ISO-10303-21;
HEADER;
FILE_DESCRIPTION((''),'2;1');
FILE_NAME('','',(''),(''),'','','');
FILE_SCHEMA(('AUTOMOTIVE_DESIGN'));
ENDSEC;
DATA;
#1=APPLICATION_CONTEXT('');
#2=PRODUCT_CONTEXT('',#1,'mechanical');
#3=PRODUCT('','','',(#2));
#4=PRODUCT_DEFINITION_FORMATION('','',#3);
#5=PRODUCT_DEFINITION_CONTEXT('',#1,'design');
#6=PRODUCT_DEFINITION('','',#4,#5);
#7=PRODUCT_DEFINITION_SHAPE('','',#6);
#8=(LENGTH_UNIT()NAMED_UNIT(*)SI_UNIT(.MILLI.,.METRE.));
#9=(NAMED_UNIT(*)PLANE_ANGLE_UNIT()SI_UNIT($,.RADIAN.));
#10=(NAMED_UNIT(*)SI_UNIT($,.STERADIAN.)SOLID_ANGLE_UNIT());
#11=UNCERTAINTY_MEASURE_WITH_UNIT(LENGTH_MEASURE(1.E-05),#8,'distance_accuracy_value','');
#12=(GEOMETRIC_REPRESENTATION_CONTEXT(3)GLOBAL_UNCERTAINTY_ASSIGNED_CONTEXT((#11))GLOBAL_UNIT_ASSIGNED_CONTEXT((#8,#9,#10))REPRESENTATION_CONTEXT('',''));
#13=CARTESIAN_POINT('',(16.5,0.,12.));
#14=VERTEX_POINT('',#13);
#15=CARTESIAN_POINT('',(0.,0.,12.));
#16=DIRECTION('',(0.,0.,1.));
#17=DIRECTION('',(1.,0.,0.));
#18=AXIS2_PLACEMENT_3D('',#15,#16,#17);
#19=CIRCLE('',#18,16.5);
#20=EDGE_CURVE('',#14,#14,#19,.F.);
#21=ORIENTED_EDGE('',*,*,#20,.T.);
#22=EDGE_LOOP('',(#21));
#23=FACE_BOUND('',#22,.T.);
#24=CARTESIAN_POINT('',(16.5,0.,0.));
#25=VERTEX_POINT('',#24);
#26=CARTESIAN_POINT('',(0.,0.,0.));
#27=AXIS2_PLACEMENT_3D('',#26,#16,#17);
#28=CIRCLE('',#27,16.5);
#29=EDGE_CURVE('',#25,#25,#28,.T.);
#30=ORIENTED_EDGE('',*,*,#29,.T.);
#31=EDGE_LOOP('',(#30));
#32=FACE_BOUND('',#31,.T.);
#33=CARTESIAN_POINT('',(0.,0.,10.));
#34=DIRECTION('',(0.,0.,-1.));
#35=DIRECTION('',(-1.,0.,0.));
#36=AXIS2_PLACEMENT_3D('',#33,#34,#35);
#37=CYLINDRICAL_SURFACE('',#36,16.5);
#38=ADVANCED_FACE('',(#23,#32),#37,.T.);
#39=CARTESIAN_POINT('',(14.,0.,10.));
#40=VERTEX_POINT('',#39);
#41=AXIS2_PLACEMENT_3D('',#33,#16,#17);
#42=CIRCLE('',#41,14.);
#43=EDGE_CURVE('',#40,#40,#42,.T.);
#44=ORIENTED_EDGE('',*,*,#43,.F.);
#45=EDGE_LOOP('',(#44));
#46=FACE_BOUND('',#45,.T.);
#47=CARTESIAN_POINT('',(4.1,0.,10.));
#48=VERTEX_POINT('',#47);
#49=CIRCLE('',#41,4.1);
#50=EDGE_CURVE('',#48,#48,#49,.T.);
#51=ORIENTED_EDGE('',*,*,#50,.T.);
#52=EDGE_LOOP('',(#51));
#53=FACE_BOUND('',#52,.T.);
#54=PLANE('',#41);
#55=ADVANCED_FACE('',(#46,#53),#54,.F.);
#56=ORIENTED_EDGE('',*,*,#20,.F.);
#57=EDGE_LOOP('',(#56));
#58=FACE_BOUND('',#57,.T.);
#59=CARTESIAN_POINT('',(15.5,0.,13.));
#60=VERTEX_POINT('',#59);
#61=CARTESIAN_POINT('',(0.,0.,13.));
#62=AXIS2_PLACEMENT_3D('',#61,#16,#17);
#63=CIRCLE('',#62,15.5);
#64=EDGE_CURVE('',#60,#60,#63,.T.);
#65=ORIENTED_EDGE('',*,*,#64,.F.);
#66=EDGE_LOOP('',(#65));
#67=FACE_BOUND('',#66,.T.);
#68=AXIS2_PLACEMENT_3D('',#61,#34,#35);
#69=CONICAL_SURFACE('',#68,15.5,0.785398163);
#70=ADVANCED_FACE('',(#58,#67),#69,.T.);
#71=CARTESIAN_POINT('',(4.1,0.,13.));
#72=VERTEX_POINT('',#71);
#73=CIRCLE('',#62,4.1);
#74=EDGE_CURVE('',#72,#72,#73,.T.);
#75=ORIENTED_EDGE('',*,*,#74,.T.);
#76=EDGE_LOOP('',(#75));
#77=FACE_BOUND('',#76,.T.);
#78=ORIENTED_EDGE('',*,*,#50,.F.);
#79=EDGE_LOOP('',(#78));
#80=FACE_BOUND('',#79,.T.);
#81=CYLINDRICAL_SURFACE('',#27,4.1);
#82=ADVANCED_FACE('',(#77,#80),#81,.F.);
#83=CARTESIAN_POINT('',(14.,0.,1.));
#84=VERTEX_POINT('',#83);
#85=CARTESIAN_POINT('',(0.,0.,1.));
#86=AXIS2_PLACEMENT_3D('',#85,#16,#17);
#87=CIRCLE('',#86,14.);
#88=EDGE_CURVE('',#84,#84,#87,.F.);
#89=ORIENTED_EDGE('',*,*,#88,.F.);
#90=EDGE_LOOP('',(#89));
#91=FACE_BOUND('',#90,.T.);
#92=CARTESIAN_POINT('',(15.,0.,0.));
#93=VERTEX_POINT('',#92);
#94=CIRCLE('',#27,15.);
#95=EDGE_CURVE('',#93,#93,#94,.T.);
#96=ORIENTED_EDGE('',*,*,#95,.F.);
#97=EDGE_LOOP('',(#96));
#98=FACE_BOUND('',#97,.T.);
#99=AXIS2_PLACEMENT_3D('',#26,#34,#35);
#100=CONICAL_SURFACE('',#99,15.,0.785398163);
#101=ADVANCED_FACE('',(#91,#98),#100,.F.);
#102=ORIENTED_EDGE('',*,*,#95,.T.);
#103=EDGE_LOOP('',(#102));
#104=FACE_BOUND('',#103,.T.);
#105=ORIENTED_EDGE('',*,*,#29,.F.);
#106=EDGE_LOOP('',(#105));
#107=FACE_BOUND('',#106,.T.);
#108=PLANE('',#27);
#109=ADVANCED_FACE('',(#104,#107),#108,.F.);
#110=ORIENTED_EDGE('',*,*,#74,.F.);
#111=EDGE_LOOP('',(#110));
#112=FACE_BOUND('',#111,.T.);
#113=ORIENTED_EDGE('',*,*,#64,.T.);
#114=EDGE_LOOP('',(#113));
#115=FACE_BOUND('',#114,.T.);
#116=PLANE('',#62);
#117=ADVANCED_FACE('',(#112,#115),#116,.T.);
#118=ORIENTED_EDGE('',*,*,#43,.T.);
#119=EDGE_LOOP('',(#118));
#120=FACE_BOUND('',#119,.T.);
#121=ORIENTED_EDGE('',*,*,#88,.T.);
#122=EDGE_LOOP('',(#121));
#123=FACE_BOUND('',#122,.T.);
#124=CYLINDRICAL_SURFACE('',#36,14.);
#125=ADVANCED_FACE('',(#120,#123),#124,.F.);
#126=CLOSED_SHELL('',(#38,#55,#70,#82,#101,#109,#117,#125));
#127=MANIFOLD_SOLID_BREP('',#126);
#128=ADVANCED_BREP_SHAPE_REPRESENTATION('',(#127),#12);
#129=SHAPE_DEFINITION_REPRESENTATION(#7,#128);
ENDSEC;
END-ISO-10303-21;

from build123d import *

# Parameters (mm, degrees)
ESQUISSE1_R                  = 16.5
ESQUISSE1_R_2                = 14
BOSS_EXTRU_1_DEPTH           = 10
ESQUISSE2_R                  = 16.5
BOSS_EXTRU_2_DEPTH           = 3
CHANFREIN1_SIZE              = 1
ENL_V_MAT_EXTRU_1_DEPTH      = 27.711420778
ENL_V_MAT_EXTRU_1_DEPTH_BACK = 27.711420778
ESQUISSE3_R                  = 4.1
CHANFREIN2_SIZE              = 1


with BuildPart() as part:
    # Esquisse1 → Boss.-Extru.1 (new body)
    with BuildSketch(Plane.XY):
        Circle(ESQUISSE1_R)
        Circle(ESQUISSE1_R_2, mode=Mode.SUBTRACT)
    extrude(amount=BOSS_EXTRU_1_DEPTH)

    # Esquisse2 → Boss.-Extru.2 (add)
    with BuildSketch(Plane.XY.offset(10)):
        Circle(ESQUISSE2_R)
    extrude(amount=BOSS_EXTRU_2_DEPTH)

    # Chanfrein1
    chanfrein1_edges = [part.edges().sort_by_distance(p)[0] for p in [
        (-14, 0, 0),
    ]]
    chamfer(chanfrein1_edges, length=CHANFREIN1_SIZE)

    # Esquisse3 → Enlèv. mat.-Extru.1 (cut, two sides: drawn at the far end of the back side and taken through both)
    with BuildSketch(Plane.XY.offset(13).offset(-ENL_V_MAT_EXTRU_1_DEPTH_BACK)):
        Circle(ESQUISSE3_R)
    extrude(amount=ENL_V_MAT_EXTRU_1_DEPTH + ENL_V_MAT_EXTRU_1_DEPTH_BACK, mode=Mode.SUBTRACT)

    # Chanfrein2
    chanfrein2_edges = [part.edges().sort_by_distance(p)[0] for p in [
        (-16.5, 0, 13),
    ]]
    chamfer(chanfrein2_edges, length=CHANFREIN2_SIZE)


solid = part.part
